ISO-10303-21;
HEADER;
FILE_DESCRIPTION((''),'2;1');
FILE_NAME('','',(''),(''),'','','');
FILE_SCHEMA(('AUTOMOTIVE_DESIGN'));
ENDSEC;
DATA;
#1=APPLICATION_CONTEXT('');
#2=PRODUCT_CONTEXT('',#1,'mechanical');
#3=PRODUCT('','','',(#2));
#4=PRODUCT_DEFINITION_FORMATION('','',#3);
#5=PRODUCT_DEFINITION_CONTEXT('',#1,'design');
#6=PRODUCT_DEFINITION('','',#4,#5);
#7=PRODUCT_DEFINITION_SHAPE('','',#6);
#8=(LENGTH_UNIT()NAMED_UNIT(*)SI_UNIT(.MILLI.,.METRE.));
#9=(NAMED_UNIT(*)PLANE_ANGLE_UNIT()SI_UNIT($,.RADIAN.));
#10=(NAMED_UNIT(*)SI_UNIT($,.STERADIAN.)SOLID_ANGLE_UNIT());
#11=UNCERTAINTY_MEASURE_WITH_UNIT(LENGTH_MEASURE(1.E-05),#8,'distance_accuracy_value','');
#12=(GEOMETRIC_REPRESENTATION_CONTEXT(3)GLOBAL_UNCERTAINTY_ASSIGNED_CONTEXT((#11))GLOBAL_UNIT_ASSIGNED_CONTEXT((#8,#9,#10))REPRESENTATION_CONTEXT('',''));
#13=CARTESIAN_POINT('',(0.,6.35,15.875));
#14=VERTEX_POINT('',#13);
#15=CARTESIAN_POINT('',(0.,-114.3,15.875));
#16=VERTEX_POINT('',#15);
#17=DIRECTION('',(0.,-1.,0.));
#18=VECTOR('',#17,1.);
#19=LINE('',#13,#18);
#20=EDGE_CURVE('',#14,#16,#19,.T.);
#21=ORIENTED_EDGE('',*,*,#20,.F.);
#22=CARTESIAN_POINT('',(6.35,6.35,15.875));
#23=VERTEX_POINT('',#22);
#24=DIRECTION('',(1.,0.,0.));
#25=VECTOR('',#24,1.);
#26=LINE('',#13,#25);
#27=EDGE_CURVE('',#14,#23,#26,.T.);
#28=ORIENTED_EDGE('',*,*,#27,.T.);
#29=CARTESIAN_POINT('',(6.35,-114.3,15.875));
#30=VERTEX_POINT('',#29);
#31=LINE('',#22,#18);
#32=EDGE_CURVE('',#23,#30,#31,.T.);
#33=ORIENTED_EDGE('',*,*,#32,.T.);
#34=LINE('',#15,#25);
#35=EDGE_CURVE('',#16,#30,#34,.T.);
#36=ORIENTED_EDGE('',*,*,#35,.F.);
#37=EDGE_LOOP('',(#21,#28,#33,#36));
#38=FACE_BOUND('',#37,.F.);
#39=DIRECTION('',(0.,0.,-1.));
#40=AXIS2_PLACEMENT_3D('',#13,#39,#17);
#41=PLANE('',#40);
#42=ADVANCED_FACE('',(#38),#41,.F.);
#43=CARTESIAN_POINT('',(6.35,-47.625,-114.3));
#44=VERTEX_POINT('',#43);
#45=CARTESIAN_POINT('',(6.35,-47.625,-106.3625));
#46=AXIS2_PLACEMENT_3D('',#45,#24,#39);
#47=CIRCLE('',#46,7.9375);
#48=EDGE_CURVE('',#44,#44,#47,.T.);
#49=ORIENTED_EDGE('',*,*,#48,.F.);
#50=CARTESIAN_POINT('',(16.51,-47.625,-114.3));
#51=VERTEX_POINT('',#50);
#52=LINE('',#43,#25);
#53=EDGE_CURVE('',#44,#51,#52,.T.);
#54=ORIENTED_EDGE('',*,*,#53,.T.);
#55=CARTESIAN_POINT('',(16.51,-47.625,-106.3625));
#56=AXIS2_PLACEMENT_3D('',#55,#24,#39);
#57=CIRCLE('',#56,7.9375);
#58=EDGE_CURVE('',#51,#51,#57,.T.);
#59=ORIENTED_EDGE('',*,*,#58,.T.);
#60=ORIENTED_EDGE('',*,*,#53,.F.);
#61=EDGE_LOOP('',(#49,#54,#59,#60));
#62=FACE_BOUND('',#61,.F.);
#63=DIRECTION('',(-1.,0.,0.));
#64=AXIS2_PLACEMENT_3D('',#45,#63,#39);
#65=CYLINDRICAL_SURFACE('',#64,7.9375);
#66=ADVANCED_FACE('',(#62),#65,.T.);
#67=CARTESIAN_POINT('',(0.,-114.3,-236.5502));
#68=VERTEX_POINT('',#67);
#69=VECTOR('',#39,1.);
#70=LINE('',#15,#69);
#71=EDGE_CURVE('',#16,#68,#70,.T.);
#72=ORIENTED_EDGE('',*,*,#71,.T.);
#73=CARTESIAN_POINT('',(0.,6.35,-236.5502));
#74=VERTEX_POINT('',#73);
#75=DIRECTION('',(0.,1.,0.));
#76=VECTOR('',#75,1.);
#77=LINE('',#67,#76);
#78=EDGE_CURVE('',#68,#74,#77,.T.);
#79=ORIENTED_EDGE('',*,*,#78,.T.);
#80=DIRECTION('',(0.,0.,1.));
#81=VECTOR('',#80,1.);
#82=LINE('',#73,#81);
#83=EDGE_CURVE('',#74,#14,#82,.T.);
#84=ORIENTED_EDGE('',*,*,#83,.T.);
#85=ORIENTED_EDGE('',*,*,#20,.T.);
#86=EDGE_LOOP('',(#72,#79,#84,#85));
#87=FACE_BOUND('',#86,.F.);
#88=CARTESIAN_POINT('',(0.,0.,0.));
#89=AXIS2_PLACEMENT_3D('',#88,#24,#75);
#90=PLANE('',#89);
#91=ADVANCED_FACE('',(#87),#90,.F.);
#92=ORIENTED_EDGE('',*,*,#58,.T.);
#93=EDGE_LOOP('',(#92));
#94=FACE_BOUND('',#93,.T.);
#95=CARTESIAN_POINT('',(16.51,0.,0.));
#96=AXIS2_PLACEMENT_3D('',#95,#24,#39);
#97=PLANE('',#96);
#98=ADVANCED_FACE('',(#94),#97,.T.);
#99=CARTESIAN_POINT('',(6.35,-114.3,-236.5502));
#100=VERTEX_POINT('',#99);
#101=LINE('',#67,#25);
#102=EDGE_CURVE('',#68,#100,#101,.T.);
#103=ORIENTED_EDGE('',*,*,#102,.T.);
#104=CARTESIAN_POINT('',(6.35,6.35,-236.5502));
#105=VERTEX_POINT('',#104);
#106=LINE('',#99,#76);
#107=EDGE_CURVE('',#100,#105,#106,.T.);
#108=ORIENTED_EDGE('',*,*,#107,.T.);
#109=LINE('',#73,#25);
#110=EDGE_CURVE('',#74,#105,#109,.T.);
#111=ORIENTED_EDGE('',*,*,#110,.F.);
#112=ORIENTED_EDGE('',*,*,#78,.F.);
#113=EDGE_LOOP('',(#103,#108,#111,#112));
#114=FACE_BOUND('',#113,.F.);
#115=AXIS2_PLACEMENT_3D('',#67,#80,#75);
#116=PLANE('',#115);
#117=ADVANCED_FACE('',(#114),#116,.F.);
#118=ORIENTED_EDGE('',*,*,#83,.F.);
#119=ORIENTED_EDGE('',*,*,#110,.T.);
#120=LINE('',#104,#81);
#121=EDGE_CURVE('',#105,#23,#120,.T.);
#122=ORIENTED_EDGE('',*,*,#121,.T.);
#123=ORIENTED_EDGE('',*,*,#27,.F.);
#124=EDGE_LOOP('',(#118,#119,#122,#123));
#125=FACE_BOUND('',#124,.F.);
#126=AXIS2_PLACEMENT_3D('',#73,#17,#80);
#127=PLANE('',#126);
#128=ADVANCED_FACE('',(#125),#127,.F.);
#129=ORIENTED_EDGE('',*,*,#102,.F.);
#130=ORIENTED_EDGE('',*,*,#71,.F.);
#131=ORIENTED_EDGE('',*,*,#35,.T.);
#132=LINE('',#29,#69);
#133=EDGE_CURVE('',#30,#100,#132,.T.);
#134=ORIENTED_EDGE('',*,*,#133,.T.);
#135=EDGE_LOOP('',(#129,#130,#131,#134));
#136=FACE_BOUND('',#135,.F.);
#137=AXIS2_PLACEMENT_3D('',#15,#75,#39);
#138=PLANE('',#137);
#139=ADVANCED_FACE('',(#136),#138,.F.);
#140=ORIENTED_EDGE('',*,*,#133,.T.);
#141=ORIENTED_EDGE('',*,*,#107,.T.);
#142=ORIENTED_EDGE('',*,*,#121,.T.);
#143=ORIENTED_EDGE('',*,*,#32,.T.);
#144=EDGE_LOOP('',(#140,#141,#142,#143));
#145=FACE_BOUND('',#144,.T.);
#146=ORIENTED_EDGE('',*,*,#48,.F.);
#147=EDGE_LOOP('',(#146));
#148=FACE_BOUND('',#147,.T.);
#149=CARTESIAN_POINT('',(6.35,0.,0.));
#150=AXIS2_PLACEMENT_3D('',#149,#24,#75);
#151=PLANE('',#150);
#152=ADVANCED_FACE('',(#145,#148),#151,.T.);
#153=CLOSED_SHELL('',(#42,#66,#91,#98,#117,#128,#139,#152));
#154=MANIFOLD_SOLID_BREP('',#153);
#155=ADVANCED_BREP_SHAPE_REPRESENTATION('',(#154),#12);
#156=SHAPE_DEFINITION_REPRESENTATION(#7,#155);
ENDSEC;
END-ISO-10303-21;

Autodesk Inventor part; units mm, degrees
ref_plane "YZ Plane" through (0, 0, 0) normal (1, 0, 0) x (0, 1, 0)
ref_plane "XZ Plane" through (0, 0, 0) normal (0, 1, 0) x (-1, 0, 0)
ref_plane "XY Plane" through (0, 0, 0) normal (0, 0, 1) x (1, 0, 0)
sketch "Sketch1" plane through (0, 0, 0) normal (1, 0, 0) x (0, 1, 0)
  line L0 (6.35, 15.875) -> (-114.3, 15.875)
  line L1 (-114.3, 15.875) -> (-114.3, -236.5502)
  line L2 (-114.3, -236.5502) -> (6.35, -236.5502)
  line L3 (6.35, -236.5502) -> (6.35, 15.875)
  point P0 (0, 0)
  dimension "d0" = 120.65
  dimension "d1" = 252.4252
extrude "Extrusion1" add sketch "Sketch1" along normal blind 6.35
sketch "Sketch2" plane through (6.35, 0, 0) normal (1, 0, 0) x (0, 0, -1)
  circle A0 centre (106.3625, -47.625) radius 7.9375
  point P0 (0, 0)
extrude "Extrusion2" add sketch "Sketch2" along normal blind 10.16
properties part number "lid1" material "PMMA Plastic"
